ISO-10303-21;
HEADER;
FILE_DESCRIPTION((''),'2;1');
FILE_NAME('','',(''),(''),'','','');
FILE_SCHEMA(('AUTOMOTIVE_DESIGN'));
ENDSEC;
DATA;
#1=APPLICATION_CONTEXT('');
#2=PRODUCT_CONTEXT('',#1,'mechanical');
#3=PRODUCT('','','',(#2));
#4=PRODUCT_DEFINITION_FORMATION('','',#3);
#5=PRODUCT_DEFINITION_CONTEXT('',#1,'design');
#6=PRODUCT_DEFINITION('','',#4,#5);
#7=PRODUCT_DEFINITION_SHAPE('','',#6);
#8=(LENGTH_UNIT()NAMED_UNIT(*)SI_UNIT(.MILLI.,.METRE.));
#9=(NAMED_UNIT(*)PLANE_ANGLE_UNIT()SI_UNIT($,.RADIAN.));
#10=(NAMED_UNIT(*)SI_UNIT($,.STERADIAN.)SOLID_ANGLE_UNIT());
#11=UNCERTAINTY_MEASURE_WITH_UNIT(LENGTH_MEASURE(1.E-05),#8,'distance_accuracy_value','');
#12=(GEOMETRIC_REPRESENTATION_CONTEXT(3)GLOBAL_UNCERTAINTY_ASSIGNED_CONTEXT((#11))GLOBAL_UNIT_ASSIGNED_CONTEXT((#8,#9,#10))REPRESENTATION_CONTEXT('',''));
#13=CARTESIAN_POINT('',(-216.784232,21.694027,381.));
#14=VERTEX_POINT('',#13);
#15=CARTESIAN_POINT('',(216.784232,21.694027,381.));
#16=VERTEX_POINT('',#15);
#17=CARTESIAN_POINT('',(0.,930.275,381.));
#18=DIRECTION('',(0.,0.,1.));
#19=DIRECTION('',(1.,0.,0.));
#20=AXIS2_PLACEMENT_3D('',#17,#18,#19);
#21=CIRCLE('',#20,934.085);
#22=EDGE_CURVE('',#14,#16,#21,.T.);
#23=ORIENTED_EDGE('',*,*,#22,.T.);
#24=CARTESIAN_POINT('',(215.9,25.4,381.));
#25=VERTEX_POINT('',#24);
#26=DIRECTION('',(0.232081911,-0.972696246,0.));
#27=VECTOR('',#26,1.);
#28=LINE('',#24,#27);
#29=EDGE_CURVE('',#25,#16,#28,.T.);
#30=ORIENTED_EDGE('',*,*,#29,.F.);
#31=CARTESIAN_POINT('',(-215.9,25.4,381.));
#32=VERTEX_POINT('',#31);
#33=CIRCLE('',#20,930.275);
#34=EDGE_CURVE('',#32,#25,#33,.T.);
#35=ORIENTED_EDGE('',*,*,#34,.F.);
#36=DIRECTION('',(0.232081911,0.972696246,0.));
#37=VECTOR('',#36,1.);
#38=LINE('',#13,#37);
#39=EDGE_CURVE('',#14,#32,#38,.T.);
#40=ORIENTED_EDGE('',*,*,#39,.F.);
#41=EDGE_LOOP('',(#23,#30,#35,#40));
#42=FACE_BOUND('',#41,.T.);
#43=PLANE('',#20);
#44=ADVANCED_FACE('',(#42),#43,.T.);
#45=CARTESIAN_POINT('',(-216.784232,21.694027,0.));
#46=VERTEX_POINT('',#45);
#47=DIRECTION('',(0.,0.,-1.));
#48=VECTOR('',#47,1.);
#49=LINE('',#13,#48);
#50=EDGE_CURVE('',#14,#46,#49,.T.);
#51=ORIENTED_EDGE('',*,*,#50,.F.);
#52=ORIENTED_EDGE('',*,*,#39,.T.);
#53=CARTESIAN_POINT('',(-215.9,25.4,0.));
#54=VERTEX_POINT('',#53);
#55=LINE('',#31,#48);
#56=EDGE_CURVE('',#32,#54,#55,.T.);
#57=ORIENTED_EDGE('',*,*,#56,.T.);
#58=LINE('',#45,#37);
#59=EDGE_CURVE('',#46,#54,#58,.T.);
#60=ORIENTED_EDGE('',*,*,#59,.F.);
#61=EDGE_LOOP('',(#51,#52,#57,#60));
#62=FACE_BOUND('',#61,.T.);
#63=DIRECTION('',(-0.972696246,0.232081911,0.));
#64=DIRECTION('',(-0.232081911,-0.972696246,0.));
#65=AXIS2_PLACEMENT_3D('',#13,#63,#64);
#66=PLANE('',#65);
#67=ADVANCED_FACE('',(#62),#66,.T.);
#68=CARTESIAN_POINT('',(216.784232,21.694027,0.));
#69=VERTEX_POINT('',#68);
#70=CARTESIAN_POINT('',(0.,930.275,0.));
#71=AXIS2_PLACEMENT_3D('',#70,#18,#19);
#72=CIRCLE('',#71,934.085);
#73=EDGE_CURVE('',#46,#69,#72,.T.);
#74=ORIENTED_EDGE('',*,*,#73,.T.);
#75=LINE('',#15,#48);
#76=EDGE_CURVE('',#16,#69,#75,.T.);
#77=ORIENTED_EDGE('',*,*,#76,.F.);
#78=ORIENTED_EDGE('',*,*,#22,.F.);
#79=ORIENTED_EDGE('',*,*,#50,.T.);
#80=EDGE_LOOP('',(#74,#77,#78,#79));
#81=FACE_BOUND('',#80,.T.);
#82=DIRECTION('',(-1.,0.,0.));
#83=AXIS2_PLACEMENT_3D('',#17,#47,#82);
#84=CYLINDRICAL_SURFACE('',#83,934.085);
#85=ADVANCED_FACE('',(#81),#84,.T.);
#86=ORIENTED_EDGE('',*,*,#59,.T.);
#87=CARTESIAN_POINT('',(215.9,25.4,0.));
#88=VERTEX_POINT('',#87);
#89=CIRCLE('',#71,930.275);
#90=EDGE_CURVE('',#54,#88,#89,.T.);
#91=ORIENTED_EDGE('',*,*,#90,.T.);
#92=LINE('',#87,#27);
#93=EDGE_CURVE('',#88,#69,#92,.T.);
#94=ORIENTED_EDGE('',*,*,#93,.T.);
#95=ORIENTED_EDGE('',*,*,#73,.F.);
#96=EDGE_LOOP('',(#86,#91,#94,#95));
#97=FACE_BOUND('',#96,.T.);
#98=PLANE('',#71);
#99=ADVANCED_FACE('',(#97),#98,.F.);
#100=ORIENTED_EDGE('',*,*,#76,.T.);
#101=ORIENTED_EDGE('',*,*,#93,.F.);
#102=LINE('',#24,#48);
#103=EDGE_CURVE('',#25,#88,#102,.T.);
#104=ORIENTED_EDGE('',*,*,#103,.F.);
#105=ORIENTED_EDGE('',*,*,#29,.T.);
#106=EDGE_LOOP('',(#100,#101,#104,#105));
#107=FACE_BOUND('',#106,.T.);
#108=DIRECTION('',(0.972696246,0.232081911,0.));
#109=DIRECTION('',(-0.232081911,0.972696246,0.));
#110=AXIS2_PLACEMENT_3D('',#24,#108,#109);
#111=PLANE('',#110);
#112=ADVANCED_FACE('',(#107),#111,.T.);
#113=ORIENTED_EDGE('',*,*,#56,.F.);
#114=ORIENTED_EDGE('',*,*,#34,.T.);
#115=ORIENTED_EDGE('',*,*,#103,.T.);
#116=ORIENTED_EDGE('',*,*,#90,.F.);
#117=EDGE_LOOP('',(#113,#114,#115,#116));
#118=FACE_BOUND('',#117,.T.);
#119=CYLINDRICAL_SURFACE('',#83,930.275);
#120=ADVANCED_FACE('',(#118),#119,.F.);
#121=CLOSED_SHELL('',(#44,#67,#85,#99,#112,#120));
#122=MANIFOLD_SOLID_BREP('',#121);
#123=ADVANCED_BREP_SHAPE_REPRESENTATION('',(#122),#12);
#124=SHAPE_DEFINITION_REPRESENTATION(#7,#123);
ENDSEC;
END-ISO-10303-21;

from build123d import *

# Parameters (mm, degrees)
EXTRUIR_L_MINA1_DEPTH = 381


with BuildPart() as part:
    # Croquis1 → Extruir-Lámina1 (new body)
    with BuildSketch(Plane.XY):
        with BuildLine():
            ThreePointArc((-215.9, 25.4), (0, 0), (215.9, 25.4))
            Line((215.9, 25.4), (216.784232082, 21.694027304))
            ThreePointArc((216.784232082, 21.694027304), (0, -3.81), (-216.784232082, 21.694027304))
            Line((-216.784232082, 21.694027304), (-215.9, 25.4))
        make_face()
    extrude(amount=EXTRUIR_L_MINA1_DEPTH)


solid = part.part
